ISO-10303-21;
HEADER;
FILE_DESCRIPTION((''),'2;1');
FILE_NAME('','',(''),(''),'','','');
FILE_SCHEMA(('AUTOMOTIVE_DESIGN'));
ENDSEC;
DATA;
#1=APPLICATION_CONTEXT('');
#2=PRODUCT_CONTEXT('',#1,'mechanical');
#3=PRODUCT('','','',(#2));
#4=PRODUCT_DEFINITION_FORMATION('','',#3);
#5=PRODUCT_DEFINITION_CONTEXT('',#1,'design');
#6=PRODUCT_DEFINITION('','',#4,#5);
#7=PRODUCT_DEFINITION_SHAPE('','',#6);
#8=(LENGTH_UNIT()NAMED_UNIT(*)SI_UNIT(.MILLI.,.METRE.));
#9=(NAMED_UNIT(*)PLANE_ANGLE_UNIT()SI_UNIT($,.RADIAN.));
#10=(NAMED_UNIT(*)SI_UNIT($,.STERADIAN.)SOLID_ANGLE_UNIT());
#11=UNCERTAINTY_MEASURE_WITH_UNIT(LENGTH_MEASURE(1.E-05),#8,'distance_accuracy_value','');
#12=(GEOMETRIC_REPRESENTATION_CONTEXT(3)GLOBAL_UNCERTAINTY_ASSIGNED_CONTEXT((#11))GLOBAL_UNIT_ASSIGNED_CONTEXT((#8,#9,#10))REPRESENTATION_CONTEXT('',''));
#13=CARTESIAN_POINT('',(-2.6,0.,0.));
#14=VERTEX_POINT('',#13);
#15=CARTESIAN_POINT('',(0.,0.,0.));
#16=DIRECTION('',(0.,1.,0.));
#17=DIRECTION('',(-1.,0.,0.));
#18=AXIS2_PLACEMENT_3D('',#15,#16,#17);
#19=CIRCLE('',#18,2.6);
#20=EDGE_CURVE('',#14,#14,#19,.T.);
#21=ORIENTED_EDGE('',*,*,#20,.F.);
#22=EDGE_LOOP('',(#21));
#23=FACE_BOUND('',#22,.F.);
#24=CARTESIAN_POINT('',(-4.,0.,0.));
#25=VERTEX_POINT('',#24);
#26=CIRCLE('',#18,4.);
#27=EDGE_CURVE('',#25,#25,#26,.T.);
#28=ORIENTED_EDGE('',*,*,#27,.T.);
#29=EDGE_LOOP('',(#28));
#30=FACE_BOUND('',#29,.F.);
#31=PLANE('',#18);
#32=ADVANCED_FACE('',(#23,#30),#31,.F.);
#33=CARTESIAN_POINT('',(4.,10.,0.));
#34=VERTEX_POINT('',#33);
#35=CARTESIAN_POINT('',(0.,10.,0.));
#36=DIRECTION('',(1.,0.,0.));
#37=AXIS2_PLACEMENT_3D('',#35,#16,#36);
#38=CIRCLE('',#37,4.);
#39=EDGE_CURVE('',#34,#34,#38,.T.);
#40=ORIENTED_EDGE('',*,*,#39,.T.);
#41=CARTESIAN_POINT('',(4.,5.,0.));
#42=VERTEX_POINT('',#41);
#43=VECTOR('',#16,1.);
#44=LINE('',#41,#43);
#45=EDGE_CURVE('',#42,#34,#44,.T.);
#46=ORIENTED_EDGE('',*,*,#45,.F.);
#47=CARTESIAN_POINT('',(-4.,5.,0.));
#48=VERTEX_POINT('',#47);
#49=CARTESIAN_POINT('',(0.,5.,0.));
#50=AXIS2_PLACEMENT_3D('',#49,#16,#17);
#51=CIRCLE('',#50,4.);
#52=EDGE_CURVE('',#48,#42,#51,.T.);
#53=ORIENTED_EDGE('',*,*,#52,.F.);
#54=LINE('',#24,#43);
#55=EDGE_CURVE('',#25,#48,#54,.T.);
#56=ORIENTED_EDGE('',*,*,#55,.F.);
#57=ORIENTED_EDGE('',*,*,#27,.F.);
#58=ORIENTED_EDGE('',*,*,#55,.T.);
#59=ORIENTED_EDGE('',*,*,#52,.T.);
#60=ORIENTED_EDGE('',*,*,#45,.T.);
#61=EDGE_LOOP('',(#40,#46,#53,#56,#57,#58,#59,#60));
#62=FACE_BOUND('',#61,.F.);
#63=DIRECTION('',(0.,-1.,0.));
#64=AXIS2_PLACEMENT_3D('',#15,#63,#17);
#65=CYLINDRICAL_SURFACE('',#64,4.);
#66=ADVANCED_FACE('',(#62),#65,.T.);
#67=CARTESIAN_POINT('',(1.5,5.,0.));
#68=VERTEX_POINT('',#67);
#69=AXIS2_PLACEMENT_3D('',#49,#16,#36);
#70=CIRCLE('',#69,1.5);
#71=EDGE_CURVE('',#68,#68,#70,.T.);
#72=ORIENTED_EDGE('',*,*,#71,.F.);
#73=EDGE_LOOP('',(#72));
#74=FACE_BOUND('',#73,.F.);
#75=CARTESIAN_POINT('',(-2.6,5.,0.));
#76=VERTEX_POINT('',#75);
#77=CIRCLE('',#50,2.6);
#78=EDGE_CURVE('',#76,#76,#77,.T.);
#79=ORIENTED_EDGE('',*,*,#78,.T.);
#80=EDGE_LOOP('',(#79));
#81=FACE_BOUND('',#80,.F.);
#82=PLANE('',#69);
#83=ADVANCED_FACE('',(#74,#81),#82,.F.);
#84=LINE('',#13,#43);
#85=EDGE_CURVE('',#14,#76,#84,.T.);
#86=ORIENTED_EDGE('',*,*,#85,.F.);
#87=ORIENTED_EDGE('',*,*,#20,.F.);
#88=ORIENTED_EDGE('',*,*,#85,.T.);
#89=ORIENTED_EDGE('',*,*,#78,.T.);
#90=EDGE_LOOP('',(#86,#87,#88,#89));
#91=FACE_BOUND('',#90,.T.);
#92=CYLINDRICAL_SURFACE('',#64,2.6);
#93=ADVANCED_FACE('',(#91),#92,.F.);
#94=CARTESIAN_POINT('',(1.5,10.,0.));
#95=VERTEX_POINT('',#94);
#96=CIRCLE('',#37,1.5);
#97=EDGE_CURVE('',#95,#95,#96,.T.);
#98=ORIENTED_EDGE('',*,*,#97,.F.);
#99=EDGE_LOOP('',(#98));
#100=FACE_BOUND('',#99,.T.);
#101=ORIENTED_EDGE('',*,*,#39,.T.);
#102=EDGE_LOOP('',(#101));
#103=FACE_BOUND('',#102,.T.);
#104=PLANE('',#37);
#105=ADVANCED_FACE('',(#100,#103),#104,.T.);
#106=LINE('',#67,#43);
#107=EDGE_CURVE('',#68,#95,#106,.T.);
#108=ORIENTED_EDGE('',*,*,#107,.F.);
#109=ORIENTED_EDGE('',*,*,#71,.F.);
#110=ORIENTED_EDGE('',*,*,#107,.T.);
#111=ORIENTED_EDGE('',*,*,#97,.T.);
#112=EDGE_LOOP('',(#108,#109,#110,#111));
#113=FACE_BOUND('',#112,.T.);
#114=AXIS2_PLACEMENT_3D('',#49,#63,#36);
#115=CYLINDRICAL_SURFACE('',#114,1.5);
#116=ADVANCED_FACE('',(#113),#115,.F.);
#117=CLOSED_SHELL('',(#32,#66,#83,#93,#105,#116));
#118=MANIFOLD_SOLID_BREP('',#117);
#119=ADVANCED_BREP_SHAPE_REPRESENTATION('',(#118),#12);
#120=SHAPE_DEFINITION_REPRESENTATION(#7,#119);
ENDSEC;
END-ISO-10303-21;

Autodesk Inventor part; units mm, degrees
ref_plane "YZ Plane" through (0, 0, 0) normal (1, 0, 0) x (0, 1, 0)
ref_plane "XZ Plane" through (0, 0, 0) normal (0, 1, 0) x (-1, 0, 0)
ref_plane "XY Plane" through (0, 0, 0) normal (0, 0, 1) x (1, 0, 0)
sketch "Sketch1" plane through (0, 0, 0) normal (0, 1, 0) x (-1, 0, 0)
  circle A0 centre (0, 0) radius 4
  circle A1 centre (0, 0) radius 2.6
  dimension "d0" = 8
  dimension "d1" = 5.2
extrude "Extrusion1" add sketch "Sketch1" along normal blind 5
sketch "Sketch2" plane through (0, 5, 0) normal (0, 1, 0) x (1, 0, 0)
  circle A0 centre (0, 0) radius 4 projected
  circle A1 centre (0, 0) radius 1.5
  circle A2 centre (0, 0) radius 4
  dimension "d4" = 3
  dimension "d5" = 8
extrude "Extrusion2" add sketch "Sketch2" along normal blind 5
properties part number "MountScrew_test"
